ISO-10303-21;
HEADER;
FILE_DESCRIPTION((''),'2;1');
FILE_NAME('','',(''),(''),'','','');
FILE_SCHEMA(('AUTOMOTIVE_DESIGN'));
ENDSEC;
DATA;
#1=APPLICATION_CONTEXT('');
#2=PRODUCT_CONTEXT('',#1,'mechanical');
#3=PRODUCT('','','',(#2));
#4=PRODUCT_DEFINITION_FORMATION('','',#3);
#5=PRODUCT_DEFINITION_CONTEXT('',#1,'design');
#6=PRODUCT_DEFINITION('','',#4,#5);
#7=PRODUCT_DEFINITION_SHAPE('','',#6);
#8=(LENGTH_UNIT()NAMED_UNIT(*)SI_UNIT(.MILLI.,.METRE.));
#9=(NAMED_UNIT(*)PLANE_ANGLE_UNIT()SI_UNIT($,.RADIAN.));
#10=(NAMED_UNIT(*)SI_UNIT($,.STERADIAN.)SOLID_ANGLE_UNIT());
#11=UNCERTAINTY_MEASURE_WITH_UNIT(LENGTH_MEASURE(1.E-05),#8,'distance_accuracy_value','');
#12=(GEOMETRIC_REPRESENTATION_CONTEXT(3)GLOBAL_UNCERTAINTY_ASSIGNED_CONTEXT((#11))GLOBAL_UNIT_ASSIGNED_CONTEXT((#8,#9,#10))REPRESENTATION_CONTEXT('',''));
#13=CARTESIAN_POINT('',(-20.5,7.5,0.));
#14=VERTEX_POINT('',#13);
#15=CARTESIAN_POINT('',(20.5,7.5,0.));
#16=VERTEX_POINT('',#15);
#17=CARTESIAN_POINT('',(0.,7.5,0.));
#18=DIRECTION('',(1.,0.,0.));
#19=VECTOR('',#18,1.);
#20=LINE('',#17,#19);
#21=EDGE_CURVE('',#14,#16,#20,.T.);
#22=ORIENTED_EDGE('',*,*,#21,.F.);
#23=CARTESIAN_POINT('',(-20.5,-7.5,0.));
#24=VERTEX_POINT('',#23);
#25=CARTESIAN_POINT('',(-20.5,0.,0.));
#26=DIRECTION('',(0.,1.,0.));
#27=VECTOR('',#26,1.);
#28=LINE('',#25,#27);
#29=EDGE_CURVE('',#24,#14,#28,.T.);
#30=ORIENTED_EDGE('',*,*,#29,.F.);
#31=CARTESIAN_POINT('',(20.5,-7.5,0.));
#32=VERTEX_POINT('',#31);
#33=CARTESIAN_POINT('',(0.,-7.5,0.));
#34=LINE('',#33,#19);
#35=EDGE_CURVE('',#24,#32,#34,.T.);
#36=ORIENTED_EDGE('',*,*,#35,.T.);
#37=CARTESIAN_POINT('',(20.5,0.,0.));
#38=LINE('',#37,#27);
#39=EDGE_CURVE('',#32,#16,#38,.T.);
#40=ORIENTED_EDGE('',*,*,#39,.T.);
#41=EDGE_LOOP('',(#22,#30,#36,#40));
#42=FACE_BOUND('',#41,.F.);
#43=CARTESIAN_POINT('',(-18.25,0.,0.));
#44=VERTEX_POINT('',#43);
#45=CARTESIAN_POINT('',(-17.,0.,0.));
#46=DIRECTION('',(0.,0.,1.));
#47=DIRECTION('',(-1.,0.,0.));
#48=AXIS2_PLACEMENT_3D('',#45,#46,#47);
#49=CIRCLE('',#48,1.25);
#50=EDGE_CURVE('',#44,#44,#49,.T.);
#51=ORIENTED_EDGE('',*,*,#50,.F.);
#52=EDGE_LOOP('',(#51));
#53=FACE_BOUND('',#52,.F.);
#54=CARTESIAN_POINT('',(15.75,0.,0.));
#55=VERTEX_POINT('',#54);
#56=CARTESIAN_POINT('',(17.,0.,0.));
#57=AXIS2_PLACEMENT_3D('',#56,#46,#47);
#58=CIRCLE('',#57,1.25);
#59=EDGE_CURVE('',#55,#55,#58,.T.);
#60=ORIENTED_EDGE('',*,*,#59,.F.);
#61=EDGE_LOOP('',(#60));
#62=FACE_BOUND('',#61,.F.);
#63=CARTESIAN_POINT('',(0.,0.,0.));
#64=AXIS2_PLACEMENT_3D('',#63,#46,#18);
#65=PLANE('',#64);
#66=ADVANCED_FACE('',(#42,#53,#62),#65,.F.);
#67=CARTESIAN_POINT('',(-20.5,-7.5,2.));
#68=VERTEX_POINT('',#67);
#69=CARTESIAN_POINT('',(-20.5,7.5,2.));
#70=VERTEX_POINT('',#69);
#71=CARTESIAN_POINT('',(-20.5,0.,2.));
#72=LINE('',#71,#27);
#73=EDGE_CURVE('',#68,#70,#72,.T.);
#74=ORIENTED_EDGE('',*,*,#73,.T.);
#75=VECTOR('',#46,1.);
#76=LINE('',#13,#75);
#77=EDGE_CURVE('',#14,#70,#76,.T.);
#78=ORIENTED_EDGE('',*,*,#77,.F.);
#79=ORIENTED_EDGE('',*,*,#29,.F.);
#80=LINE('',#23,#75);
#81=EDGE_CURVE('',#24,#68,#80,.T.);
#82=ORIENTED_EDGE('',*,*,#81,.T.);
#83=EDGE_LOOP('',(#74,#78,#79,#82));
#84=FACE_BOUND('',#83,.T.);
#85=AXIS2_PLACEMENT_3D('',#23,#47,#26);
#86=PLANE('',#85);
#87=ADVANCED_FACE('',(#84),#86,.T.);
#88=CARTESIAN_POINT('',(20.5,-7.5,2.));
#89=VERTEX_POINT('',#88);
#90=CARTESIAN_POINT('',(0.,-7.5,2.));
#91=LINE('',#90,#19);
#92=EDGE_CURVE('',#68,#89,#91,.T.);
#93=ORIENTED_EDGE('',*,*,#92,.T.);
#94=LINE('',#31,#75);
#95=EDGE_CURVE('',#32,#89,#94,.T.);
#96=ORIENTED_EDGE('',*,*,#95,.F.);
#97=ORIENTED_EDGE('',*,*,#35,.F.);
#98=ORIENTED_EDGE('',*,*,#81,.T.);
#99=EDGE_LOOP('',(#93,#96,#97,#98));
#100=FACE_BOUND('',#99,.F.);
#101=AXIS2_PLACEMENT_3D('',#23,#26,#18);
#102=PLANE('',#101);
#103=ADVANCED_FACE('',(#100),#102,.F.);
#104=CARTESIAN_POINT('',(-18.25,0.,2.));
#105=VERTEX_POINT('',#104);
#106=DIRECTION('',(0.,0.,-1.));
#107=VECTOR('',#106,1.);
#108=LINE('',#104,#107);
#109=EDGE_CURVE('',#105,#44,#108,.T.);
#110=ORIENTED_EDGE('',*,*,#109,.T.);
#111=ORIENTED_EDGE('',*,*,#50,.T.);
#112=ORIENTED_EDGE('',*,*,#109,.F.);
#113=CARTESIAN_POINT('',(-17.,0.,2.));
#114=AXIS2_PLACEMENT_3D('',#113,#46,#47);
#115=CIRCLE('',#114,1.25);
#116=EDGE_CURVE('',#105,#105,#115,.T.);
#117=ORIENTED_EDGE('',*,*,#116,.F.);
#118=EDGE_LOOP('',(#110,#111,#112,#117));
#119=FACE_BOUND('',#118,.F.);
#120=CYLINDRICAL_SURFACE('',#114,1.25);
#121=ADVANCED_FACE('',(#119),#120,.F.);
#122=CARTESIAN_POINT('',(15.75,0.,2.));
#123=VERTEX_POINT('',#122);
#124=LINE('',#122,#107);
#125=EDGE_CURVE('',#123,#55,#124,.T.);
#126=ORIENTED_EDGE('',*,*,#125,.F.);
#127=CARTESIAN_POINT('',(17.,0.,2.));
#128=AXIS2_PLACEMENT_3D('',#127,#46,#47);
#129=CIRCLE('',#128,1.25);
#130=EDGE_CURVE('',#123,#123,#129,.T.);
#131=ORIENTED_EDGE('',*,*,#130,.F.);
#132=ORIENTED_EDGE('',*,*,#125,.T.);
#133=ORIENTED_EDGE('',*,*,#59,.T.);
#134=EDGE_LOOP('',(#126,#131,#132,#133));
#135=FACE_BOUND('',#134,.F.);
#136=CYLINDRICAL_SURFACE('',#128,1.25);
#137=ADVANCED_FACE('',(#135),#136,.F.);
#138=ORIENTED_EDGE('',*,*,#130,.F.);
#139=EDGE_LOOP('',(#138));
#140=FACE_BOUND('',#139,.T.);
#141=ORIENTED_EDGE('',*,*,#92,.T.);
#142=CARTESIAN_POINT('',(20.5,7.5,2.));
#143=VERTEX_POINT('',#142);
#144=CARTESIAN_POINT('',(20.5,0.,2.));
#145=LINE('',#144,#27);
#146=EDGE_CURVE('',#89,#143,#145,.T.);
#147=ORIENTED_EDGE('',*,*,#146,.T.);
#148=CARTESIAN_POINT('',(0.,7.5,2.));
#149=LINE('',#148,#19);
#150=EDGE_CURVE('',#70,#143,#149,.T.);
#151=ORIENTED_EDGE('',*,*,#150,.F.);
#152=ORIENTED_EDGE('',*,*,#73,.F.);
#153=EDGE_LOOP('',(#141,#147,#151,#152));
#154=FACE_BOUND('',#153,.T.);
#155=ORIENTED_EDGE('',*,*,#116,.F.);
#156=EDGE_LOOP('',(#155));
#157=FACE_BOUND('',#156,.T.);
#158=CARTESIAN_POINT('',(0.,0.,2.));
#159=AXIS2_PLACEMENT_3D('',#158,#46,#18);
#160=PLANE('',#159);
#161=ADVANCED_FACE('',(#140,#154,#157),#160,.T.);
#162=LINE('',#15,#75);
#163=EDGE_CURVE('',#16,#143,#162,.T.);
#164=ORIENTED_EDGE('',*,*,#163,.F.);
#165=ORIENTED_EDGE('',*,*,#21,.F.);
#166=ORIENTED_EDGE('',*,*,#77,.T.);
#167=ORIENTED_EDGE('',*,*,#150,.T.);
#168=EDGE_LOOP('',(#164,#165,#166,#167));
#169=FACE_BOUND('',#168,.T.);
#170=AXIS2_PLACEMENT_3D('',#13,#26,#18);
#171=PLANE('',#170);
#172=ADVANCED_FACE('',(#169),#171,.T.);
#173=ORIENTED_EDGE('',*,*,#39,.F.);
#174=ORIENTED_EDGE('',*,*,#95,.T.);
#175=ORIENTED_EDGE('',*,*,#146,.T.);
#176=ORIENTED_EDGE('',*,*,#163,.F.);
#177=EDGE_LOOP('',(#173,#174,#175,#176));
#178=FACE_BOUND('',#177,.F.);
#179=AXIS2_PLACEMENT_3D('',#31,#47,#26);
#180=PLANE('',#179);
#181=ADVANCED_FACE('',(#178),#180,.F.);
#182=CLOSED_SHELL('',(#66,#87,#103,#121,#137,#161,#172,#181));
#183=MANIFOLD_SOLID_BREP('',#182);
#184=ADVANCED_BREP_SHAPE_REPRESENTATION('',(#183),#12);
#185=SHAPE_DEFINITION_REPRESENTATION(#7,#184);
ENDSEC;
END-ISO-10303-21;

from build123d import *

# Parameters (mm, degrees)
F0_W     = 41
F0_H     = 15
F1_DEPTH = 2
F3_DEPTH = 2.001


with BuildPart() as f1:
    # F0 (on Top) → F1 (new body)
    with BuildSketch(Plane.XY):
        Rectangle(F0_W, F0_H)
    extrude(amount=F1_DEPTH)

    # F2 (on face) → F3 (cut, through all)
    with BuildSketch(Plane.XY.offset(2)):
        with BuildLine():
            Line((-18.25, 0), (-15.75, 0))
            ThreePointArc((-15.75, 0), (-17, 1.25), (-18.25, 0))
        make_face()
        with BuildLine():
            ThreePointArc((-18.25, 0), (-17, -1.25), (-15.75, 0))
            Line((-15.75, 0), (-18.25, 0))
        make_face()
        with BuildLine():
            Line((15.75, 0), (18.25, 0))
            ThreePointArc((18.25, 0), (17, 1.25), (15.75, 0))
        make_face()
        with BuildLine():
            ThreePointArc((15.75, 0), (17, -1.25), (18.25, 0))
            Line((18.25, 0), (15.75, 0))
        make_face()
    extrude(amount=-F3_DEPTH, mode=Mode.SUBTRACT)


solid = f1.part
